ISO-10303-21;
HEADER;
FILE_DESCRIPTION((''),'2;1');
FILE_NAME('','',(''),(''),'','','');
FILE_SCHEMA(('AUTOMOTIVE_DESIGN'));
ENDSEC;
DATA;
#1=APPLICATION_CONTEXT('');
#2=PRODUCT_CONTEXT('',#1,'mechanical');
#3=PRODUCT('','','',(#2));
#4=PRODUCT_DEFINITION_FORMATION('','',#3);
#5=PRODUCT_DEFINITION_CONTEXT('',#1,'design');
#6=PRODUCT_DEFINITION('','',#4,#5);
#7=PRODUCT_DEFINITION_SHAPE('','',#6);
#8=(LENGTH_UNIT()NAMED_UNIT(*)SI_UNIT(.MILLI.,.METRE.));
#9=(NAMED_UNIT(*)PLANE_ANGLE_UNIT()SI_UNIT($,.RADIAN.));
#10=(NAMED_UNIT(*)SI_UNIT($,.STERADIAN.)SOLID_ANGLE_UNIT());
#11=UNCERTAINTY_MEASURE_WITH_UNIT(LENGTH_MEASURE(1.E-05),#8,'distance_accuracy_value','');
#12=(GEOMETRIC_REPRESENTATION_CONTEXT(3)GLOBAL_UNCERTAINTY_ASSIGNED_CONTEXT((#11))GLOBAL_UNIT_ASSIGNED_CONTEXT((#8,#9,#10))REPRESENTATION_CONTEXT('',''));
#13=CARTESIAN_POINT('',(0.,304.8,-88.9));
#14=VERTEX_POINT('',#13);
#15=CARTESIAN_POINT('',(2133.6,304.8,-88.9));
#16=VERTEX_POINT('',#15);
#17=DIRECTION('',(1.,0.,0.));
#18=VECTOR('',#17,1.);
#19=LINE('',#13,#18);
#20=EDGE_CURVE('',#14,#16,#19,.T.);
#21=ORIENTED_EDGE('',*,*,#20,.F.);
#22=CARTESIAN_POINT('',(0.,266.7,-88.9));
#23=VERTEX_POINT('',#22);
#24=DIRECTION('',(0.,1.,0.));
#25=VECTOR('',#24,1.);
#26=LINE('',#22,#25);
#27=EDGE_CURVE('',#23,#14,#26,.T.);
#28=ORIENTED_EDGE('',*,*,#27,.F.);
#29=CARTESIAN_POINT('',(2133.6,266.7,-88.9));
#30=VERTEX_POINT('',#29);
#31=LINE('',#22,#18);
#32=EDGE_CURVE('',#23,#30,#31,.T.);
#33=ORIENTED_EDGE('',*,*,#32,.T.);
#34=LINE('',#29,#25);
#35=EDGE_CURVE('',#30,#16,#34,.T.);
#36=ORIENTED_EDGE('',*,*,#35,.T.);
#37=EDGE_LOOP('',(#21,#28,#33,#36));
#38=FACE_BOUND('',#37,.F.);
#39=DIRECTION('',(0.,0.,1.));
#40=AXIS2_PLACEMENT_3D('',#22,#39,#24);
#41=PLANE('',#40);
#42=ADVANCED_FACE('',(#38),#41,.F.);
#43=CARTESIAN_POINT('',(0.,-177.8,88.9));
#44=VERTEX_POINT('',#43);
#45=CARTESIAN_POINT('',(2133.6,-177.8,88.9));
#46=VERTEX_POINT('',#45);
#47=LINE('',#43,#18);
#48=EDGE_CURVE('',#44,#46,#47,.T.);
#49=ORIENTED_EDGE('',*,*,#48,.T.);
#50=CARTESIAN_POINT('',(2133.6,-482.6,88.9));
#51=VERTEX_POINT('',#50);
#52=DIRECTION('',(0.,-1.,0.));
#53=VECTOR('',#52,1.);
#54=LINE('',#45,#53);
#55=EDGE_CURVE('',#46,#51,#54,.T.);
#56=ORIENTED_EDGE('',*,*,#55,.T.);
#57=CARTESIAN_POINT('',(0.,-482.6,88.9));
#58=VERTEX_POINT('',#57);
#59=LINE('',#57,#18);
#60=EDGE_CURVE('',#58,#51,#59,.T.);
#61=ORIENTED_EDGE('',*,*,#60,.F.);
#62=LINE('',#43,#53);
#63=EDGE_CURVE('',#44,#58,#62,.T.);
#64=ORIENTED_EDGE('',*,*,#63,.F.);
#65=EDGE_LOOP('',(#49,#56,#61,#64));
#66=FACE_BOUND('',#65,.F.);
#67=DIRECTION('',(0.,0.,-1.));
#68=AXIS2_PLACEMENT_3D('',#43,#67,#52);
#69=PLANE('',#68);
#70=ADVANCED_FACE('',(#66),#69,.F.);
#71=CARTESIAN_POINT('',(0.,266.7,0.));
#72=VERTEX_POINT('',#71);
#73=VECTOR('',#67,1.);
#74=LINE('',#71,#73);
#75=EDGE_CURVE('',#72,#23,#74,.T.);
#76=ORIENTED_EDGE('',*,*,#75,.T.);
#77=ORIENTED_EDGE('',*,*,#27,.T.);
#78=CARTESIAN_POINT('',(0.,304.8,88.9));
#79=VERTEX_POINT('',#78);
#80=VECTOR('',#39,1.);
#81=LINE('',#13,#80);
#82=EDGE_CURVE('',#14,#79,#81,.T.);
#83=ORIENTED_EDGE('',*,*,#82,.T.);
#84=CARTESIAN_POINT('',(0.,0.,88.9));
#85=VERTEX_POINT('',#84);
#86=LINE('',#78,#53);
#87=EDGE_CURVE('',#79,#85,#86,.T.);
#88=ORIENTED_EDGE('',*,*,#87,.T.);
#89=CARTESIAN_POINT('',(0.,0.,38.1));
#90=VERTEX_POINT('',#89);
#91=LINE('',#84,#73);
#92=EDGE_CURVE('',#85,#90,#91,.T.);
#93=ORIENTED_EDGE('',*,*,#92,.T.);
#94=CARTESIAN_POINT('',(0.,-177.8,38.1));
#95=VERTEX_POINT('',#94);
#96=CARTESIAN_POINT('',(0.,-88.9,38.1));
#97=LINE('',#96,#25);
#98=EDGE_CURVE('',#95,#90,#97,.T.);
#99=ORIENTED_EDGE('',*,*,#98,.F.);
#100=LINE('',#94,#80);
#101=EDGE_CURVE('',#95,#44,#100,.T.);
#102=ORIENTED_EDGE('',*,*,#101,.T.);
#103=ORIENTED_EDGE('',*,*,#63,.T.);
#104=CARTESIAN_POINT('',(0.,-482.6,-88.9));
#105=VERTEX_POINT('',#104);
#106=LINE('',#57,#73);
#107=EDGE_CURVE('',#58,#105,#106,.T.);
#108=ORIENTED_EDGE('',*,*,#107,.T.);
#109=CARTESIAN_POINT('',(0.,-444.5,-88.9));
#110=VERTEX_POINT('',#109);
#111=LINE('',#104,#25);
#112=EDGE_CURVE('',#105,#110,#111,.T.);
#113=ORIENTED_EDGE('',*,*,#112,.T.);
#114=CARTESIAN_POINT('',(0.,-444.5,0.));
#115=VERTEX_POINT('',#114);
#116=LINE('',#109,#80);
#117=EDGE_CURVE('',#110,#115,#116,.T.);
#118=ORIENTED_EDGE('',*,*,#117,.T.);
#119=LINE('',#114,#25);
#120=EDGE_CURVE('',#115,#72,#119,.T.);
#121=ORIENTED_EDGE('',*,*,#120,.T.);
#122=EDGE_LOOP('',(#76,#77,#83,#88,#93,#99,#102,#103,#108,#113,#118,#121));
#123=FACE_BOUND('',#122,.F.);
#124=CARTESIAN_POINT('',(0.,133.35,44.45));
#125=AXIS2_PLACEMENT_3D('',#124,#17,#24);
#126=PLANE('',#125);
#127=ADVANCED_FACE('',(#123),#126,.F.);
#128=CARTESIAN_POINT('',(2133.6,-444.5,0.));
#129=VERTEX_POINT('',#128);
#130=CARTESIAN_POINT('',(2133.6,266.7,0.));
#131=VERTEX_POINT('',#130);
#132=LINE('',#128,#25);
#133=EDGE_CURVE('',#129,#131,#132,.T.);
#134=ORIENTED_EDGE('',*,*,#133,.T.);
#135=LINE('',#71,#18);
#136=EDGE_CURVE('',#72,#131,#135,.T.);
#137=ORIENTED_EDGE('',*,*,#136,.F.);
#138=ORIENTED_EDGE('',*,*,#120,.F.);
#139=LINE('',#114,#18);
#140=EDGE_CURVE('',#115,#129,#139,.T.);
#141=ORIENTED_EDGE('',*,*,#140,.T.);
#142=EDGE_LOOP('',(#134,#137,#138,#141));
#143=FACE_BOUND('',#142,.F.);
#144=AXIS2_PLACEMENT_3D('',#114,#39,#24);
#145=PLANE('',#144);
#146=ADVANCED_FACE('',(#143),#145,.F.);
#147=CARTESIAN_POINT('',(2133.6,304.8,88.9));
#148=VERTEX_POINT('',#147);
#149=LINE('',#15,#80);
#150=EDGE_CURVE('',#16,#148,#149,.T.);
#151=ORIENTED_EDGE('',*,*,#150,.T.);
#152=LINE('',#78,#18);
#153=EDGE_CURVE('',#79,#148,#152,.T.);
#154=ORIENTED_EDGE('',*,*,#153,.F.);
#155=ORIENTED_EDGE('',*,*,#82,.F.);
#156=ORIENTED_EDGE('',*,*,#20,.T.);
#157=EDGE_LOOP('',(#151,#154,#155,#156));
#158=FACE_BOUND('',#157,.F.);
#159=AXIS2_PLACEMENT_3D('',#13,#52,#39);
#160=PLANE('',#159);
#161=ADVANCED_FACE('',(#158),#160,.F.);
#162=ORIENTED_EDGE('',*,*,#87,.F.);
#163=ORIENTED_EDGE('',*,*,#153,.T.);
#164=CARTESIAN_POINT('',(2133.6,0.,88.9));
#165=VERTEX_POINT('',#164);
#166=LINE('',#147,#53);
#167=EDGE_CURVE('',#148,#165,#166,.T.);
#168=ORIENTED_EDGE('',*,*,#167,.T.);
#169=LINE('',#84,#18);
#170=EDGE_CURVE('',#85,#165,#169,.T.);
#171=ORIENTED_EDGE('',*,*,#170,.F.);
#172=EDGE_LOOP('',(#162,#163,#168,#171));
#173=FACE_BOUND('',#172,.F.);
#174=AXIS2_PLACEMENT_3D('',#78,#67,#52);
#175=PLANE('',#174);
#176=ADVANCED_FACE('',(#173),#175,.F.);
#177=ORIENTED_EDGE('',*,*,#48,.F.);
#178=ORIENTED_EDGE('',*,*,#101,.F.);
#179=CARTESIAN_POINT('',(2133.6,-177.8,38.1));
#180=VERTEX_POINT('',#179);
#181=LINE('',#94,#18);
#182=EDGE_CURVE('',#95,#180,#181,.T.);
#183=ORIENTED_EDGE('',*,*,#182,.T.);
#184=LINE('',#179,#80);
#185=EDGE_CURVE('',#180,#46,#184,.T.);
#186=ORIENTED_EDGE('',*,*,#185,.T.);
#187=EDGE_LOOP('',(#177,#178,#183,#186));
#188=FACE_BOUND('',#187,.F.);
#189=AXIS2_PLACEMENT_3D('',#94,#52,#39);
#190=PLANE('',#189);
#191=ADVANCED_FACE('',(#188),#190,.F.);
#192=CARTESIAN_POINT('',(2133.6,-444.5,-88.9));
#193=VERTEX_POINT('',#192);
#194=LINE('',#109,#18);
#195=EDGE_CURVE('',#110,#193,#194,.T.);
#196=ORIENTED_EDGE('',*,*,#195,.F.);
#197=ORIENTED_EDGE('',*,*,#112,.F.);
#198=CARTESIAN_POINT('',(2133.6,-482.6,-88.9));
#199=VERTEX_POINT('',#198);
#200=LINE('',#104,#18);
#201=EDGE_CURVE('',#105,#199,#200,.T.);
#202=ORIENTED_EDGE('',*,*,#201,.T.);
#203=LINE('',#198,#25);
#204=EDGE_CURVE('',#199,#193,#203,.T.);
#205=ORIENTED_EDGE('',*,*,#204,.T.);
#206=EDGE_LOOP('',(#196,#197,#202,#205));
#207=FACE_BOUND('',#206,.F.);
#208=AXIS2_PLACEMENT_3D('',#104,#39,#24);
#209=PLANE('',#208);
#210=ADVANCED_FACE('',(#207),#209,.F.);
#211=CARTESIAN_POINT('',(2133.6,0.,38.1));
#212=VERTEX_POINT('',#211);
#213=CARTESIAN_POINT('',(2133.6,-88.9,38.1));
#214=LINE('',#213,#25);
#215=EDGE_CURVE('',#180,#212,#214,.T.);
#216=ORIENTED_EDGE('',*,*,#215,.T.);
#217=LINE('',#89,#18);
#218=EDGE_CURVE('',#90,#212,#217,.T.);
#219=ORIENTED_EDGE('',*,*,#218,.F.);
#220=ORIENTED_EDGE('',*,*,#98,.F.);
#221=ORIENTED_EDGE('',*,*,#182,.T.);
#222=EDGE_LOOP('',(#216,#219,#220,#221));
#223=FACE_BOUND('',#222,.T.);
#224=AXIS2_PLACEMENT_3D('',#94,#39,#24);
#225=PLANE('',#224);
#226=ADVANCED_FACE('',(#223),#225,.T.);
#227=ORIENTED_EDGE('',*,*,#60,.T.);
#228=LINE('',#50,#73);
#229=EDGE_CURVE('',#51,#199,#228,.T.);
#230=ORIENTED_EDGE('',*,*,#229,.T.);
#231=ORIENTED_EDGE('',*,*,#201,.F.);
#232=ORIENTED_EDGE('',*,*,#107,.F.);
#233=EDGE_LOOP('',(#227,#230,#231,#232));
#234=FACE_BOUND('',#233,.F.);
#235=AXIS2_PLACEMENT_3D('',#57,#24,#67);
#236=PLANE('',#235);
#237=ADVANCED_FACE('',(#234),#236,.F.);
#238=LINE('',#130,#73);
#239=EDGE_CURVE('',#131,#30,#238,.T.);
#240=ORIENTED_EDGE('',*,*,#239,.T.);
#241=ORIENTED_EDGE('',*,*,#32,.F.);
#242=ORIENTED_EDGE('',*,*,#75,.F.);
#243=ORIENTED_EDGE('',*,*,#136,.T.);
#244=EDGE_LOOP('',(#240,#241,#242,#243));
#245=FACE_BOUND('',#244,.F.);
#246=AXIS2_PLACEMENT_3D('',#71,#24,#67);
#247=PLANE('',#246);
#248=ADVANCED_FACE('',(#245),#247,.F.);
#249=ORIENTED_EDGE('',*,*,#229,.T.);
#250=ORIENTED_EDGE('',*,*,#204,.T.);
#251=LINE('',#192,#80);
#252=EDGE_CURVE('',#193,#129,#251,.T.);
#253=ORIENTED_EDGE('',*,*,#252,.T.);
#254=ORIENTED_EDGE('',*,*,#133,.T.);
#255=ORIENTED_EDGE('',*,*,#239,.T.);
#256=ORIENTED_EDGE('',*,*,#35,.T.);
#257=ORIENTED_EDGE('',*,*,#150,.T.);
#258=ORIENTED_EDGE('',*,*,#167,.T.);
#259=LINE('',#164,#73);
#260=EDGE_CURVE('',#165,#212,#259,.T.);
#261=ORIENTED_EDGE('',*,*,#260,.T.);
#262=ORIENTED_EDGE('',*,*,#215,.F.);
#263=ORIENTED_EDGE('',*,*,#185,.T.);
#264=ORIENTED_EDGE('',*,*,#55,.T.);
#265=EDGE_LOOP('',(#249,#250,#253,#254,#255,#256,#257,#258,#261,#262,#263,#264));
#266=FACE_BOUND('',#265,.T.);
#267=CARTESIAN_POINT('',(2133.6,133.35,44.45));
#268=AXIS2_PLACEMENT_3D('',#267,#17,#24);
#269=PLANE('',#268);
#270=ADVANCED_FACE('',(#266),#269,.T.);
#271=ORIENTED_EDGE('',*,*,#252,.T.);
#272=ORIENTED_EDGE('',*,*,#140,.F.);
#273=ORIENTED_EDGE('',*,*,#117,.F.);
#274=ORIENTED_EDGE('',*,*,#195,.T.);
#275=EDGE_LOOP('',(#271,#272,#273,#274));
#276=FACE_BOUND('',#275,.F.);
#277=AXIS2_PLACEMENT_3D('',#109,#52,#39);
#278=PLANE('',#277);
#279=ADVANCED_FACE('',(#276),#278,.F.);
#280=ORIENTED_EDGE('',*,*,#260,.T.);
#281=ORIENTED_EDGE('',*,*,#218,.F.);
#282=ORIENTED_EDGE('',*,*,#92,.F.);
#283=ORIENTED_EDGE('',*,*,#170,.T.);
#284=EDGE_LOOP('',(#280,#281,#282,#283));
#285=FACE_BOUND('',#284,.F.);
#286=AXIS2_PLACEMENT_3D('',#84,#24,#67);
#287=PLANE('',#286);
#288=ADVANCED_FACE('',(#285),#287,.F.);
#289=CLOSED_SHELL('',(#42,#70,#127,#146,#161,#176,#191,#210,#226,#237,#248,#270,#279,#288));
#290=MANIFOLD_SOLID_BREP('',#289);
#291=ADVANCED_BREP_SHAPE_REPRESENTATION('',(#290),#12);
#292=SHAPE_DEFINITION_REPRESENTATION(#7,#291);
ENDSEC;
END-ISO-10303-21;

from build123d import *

# Parameters (mm, degrees)
F0_W     = 177.8
F0_H     = 38.1
F1_DEPTH = 2133.6


with BuildPart() as f1:
    # F0 (on Right) → F1 (new body)
    with BuildSketch(Plane.YZ):
        Polygon((0, 38.1), (0, 0), (266.7, 0), (266.7, 88.9), (0, 88.9), align=None)
        with Locations((-88.9, 19.05)):
            Rectangle(F0_W, F0_H)
        Polygon((266.7, 88.9), (266.7, 0), (266.7, -88.9), (304.8, -88.9), (304.8, 88.9), align=None)
        Polygon((-444.5, 0), (-177.8, 0), (-177.8, 38.1), (-177.8, 88.9), (-444.5, 88.9), align=None)
        Polygon((-444.5, -88.9), (-444.5, 0), (-444.5, 88.9), (-482.6, 88.9), (-482.6, -88.9), align=None)
    extrude(amount=F1_DEPTH)


solid = f1.part
